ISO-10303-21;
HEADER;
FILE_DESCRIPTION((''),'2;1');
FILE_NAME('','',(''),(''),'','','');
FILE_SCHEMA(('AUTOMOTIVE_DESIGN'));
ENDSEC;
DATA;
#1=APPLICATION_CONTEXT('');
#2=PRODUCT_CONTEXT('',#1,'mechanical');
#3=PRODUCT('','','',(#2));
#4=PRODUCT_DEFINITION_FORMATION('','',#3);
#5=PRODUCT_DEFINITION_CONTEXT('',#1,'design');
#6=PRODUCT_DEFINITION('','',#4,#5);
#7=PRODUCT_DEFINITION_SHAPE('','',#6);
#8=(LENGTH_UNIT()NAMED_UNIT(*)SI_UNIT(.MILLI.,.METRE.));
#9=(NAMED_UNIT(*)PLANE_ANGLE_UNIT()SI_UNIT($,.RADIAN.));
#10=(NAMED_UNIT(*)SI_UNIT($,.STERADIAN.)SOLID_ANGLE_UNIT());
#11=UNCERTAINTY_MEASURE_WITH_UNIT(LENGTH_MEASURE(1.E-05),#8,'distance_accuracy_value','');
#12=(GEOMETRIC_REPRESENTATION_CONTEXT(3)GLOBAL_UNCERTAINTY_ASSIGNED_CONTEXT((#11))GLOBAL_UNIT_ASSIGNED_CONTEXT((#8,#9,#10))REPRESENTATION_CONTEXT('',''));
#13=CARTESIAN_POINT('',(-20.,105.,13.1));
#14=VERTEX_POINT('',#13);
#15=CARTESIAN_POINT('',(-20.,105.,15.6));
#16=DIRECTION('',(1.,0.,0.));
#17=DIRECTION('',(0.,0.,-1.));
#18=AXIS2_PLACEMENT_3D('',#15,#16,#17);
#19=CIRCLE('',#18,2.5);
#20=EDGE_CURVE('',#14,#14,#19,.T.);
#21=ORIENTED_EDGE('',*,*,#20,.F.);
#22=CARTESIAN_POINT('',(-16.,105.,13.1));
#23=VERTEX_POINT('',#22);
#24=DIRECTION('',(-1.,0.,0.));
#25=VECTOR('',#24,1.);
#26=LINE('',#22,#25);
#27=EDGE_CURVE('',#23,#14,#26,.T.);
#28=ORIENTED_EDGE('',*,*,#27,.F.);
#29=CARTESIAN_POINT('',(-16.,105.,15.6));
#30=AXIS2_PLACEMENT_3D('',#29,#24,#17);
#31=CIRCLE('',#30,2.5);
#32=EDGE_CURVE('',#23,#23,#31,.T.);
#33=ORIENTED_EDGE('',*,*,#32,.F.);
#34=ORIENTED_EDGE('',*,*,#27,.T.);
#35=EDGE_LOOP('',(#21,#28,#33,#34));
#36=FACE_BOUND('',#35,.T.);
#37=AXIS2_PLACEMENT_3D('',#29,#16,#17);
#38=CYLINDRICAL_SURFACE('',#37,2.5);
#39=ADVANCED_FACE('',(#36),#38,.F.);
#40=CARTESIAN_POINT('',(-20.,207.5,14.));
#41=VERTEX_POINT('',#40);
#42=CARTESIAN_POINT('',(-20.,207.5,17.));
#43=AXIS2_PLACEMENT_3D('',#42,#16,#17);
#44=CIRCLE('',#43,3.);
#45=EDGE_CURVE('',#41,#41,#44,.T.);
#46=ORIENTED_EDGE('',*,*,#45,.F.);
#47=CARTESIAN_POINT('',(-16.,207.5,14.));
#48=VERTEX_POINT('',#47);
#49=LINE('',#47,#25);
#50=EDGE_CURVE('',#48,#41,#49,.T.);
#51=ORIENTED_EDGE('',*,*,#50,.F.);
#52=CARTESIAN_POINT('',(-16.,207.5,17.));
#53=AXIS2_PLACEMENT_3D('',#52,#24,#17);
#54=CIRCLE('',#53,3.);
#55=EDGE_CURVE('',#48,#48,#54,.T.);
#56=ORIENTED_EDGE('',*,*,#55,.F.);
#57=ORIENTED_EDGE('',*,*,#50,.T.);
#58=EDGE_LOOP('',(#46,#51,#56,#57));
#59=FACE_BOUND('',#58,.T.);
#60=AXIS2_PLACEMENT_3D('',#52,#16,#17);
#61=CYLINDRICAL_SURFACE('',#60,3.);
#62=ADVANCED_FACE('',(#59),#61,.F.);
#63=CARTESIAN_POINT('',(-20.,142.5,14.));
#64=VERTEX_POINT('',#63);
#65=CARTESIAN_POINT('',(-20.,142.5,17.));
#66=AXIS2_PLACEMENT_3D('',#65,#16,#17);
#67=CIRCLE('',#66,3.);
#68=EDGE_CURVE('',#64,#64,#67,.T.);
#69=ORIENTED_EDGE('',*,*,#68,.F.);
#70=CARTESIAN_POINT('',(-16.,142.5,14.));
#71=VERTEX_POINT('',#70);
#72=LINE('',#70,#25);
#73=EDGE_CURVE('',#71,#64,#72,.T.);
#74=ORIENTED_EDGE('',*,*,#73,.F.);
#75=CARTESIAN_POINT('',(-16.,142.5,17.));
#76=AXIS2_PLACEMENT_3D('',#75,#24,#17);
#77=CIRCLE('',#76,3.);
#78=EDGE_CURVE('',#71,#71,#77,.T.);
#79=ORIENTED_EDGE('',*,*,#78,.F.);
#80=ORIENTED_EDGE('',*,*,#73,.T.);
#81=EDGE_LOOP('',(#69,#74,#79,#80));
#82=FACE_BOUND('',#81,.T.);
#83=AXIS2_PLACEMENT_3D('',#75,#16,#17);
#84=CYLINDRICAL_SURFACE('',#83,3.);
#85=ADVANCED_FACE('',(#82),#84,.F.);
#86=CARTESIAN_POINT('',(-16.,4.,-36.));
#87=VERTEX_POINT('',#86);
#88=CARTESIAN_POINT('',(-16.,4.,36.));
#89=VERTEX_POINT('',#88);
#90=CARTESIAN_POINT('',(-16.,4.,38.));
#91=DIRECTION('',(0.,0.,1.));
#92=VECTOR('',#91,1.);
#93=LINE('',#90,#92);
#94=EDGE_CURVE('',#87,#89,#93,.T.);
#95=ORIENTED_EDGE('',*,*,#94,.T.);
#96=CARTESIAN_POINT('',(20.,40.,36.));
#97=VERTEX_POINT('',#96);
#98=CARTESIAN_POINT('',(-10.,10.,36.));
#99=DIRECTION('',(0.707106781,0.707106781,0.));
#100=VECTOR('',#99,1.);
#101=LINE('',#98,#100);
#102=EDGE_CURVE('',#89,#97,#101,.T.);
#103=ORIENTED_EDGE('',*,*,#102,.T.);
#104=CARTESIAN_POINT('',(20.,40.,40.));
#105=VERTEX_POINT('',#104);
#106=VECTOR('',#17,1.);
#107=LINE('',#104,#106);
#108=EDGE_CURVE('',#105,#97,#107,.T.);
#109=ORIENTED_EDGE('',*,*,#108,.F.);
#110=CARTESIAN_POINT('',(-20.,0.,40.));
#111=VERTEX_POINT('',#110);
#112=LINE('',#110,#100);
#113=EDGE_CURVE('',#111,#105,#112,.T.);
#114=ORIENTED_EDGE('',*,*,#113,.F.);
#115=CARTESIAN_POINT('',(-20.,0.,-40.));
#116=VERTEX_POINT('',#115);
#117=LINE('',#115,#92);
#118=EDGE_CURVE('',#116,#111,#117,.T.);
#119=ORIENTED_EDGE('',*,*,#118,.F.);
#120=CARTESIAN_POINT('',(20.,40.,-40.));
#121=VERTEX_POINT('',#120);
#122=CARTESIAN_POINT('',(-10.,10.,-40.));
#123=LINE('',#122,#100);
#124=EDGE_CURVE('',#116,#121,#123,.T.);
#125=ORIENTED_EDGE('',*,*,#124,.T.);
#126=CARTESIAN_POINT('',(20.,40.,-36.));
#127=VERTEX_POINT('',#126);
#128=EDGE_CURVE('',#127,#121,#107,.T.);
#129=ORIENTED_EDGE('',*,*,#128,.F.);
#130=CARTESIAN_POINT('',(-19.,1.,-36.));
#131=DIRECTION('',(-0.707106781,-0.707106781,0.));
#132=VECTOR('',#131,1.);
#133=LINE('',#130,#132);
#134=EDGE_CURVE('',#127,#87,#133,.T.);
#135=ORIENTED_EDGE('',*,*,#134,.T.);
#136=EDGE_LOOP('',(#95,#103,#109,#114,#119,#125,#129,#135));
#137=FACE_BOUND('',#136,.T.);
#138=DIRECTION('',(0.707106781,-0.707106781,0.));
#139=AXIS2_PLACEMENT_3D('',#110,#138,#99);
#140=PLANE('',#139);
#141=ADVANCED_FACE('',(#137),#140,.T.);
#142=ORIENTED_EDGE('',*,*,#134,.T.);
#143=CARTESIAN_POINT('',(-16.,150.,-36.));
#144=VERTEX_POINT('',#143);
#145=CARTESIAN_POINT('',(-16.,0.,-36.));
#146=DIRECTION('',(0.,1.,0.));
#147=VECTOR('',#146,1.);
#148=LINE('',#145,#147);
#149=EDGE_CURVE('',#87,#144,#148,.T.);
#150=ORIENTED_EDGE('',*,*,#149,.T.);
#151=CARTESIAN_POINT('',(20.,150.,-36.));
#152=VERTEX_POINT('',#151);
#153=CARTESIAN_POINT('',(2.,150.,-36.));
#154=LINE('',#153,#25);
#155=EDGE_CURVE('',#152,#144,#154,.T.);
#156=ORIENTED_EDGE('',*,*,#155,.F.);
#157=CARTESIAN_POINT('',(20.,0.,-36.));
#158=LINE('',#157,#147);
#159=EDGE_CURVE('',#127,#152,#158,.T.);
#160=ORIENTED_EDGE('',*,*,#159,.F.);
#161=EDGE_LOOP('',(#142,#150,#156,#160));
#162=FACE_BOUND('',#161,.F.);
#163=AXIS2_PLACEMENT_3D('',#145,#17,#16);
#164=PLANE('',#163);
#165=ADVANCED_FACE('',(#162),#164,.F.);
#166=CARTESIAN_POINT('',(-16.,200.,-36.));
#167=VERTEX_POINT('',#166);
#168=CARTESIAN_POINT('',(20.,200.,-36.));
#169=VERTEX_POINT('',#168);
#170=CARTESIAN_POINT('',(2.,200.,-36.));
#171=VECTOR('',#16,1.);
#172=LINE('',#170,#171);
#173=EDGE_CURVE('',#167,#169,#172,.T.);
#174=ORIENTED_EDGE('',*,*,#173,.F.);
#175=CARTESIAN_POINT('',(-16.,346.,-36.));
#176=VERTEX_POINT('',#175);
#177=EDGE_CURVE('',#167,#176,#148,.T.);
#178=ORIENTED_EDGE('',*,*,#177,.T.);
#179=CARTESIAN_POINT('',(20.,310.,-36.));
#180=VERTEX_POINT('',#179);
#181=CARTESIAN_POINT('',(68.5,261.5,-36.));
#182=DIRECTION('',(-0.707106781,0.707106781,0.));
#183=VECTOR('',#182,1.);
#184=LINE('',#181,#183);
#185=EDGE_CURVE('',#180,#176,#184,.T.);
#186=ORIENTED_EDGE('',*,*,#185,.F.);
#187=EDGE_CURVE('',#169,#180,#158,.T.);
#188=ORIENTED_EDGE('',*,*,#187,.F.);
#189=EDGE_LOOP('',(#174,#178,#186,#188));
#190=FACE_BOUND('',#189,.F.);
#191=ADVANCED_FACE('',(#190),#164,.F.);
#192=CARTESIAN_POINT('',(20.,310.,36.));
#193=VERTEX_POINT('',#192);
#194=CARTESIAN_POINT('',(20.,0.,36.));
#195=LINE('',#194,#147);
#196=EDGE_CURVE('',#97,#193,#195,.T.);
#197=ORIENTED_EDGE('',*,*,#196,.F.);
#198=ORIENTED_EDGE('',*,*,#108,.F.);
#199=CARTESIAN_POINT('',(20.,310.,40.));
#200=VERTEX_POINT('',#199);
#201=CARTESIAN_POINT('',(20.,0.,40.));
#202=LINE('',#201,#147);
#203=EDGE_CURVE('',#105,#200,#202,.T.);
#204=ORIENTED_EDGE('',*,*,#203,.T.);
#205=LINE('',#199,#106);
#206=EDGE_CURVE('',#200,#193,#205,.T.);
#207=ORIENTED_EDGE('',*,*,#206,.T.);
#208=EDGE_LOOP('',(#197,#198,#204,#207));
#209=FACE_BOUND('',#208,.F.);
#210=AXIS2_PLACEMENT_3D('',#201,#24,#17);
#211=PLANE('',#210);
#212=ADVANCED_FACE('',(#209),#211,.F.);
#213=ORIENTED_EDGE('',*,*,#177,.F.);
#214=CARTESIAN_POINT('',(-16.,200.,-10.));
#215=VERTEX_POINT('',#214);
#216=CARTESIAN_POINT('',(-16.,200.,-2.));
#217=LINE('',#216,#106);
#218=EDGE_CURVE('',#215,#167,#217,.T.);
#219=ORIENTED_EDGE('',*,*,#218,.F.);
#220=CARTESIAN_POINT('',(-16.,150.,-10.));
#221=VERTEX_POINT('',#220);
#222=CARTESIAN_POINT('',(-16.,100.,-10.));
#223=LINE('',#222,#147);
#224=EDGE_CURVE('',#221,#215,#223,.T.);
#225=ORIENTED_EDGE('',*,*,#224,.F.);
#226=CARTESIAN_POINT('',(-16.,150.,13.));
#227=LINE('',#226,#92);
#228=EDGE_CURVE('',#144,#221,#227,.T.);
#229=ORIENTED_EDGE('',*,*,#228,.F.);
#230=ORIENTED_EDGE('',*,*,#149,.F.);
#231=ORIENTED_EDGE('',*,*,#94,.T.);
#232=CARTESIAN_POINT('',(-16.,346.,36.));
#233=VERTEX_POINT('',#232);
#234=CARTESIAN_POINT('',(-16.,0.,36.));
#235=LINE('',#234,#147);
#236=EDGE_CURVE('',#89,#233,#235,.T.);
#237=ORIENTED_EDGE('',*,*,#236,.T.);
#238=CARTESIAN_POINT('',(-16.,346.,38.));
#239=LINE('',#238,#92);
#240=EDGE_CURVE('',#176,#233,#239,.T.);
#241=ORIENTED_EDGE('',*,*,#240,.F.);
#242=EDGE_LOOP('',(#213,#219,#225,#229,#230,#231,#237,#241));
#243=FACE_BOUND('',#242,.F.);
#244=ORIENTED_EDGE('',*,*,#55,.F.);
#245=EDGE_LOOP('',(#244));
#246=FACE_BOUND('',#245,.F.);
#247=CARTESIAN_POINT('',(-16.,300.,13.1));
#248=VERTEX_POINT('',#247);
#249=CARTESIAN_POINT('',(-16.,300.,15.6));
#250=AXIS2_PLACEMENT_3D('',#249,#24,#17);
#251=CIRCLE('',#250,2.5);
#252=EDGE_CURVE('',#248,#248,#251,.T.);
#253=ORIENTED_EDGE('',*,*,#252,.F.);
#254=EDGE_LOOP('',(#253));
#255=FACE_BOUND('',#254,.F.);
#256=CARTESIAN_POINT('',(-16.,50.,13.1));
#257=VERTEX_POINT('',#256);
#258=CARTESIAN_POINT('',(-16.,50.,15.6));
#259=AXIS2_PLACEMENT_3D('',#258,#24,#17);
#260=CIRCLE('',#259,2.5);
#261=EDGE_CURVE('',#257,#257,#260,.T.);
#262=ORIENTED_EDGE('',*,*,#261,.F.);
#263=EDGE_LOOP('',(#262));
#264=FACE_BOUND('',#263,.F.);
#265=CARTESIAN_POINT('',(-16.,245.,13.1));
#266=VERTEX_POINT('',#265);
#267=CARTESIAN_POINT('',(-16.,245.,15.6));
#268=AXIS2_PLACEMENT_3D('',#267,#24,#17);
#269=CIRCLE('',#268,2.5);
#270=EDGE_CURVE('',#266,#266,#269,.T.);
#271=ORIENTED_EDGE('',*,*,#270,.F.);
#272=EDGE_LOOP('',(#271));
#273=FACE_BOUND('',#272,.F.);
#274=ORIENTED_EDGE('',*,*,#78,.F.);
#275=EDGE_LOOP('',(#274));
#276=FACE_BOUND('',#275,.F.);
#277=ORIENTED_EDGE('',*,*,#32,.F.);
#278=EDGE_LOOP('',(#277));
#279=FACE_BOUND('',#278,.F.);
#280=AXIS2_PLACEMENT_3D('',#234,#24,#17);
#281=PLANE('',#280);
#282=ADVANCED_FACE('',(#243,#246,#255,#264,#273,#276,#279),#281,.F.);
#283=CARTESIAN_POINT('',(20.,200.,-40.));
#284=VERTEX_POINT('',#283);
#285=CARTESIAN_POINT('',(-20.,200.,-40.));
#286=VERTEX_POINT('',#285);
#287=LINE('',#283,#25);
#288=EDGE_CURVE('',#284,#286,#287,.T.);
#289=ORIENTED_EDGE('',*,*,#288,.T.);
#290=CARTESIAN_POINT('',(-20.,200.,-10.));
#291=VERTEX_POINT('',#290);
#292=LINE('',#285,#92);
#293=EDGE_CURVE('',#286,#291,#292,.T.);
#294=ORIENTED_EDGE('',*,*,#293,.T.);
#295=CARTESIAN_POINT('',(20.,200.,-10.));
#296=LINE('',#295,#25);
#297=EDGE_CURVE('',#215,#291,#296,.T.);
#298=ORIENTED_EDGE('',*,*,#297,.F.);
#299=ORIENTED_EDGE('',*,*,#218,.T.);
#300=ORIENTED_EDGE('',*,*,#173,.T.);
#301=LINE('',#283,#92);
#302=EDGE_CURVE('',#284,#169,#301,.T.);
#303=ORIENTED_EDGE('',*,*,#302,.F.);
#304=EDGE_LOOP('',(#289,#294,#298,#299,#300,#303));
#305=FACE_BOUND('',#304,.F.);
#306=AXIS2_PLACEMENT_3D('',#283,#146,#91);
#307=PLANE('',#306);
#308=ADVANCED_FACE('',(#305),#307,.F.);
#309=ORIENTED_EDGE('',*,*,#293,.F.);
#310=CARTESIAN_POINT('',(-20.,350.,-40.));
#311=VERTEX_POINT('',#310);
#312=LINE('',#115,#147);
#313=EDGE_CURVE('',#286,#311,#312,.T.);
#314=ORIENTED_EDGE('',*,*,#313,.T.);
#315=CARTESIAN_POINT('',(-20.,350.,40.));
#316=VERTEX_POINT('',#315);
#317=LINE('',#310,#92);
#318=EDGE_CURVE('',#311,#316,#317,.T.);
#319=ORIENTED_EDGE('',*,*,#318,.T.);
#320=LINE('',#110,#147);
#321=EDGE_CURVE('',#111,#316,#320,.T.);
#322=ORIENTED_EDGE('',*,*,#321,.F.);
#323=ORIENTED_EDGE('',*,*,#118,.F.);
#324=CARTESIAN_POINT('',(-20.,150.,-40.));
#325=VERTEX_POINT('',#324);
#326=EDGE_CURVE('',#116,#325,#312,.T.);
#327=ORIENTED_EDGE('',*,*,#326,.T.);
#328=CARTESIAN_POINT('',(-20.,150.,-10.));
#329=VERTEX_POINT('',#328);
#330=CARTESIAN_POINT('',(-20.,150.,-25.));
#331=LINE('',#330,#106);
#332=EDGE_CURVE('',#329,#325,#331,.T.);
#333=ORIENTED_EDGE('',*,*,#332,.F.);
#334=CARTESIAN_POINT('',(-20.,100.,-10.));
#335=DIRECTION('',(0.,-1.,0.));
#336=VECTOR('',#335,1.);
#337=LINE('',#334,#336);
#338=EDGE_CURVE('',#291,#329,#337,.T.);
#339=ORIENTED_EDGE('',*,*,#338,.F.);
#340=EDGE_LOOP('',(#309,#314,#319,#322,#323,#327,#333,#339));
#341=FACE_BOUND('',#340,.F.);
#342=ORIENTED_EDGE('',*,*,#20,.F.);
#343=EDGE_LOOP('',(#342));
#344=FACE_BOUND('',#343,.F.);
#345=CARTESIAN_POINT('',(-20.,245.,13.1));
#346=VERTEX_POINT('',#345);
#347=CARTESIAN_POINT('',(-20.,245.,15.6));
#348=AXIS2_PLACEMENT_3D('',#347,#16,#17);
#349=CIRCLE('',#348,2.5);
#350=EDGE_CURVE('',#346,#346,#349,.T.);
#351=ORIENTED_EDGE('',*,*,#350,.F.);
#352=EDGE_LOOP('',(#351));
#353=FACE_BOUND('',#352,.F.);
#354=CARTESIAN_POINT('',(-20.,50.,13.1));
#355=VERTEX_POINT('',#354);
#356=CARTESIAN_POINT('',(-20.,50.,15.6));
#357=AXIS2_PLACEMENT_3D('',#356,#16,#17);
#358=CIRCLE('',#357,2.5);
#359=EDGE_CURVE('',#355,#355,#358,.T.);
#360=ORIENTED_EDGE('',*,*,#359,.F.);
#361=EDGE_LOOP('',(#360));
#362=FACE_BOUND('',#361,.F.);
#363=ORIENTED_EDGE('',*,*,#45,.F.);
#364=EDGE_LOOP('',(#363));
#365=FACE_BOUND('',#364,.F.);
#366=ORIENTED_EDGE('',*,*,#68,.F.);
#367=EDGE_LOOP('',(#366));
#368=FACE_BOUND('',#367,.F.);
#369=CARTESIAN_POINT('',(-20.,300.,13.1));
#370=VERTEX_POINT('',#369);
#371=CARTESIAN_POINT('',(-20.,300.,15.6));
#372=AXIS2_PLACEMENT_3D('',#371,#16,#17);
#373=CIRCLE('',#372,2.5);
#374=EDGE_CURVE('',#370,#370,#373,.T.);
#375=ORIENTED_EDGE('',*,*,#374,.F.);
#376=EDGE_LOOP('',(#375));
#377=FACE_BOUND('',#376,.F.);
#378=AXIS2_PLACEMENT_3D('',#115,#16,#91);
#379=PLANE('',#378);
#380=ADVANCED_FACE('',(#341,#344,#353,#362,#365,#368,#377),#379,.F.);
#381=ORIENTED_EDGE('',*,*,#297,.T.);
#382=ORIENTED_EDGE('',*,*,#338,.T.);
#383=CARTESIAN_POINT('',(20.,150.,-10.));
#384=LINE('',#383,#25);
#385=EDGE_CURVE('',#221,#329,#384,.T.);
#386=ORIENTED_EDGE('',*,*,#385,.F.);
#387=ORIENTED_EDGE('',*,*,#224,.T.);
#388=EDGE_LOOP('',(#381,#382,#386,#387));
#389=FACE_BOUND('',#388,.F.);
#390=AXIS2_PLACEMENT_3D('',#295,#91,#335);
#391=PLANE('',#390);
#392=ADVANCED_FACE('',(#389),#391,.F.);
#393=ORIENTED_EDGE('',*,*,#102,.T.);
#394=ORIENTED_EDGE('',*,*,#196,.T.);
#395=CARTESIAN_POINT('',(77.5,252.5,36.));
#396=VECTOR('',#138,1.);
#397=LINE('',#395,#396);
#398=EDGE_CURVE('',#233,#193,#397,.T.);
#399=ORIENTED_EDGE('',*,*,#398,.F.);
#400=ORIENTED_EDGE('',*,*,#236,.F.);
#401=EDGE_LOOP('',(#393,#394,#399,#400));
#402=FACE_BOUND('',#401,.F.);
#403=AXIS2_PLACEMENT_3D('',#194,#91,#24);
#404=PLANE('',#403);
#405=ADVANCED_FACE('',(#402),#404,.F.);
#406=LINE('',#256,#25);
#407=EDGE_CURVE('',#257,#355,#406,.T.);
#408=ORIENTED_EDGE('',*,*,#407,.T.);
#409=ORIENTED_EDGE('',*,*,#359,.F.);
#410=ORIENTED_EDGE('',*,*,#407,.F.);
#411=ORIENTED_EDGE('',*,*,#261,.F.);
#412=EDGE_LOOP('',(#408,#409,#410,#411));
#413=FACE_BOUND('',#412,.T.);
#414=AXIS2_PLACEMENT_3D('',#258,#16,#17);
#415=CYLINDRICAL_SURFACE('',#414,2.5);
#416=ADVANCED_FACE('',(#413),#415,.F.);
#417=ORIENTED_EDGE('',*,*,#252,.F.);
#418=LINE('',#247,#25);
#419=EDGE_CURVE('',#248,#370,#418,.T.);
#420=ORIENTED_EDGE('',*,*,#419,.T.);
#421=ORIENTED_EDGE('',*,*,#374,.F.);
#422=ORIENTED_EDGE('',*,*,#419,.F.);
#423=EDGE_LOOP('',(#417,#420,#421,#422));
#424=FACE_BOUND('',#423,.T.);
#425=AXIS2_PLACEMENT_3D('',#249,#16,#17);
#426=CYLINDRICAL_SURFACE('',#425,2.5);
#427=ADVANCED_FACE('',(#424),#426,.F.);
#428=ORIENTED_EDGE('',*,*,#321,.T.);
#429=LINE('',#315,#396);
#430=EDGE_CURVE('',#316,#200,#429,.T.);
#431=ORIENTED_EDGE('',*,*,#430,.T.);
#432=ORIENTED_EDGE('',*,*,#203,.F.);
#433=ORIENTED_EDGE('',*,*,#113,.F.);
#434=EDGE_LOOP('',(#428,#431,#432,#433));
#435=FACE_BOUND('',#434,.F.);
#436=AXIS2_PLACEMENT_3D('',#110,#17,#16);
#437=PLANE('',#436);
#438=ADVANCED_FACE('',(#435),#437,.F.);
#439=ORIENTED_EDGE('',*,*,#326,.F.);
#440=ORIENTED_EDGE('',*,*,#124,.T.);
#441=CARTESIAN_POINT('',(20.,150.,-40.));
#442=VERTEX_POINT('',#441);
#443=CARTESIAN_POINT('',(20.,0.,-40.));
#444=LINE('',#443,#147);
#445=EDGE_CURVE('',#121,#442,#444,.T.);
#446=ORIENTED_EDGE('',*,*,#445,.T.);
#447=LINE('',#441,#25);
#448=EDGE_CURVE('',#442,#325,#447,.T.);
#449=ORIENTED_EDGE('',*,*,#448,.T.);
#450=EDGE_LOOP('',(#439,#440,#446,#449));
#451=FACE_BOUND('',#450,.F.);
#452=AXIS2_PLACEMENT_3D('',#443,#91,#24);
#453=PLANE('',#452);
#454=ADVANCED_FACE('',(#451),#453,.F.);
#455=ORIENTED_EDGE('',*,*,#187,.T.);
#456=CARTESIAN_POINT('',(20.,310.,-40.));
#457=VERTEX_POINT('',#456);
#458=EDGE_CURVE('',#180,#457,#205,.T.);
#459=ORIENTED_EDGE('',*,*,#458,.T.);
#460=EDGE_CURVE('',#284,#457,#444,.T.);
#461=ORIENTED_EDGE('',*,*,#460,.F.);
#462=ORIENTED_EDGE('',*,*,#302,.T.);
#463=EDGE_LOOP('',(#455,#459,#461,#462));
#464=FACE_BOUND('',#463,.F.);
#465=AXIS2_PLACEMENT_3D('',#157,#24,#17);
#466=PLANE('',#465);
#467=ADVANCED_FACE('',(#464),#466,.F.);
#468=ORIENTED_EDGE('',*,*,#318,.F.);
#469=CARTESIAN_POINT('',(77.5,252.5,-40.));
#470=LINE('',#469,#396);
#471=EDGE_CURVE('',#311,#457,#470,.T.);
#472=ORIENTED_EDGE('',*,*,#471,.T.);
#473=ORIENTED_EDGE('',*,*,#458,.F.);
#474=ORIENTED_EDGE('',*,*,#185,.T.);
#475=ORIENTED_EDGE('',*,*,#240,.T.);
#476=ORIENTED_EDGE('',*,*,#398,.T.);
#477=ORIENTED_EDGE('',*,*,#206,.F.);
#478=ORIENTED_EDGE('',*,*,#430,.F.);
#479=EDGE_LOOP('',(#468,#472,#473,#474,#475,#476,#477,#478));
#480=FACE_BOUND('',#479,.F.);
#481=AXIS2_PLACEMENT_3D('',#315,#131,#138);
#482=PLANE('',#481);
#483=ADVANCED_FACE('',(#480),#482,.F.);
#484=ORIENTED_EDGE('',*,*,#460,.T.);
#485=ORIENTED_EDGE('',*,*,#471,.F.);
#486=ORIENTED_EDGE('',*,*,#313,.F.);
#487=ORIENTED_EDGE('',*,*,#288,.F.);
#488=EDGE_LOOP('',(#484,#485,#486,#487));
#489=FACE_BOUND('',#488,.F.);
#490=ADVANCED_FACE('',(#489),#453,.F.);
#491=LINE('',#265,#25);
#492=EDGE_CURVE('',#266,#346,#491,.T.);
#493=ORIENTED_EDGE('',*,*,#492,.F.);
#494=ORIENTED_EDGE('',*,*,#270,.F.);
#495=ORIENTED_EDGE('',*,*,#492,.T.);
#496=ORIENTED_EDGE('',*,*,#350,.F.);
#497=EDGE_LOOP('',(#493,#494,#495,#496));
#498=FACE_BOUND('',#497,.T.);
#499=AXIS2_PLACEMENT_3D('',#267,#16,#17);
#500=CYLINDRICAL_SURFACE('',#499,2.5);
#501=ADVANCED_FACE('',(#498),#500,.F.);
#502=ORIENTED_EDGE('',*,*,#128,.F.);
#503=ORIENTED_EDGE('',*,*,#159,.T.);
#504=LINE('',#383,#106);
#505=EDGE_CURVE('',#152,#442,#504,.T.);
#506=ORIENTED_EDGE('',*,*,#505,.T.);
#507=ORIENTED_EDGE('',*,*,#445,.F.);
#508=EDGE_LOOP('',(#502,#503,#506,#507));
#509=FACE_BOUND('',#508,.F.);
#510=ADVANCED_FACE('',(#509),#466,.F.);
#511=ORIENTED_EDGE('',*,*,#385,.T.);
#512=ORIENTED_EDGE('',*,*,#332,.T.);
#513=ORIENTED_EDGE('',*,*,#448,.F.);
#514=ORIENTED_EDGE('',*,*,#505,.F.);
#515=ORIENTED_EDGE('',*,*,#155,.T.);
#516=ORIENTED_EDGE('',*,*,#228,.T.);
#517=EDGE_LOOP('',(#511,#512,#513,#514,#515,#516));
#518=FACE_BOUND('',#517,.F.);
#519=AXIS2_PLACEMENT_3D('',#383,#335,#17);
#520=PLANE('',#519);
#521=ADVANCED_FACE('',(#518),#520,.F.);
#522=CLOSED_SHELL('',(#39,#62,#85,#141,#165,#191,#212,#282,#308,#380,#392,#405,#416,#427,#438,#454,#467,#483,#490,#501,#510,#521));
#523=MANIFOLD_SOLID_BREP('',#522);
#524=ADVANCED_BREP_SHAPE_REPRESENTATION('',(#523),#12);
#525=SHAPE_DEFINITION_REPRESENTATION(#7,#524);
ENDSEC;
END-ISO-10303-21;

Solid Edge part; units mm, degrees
sketch "Sketch1" plane through (0, 0, 0) normal (0, -1, 0) x (1, 0, 0)
  line L0 (20, 36) -> (-16, 36)
  line L1 (-16, 36) -> (-16, -36)
  line L2 (-16, -36) -> (20, -36)
  line L3 (20, -36) -> (20, -40)
  line L4 (20, -40) -> (-20, -40)
  line L5 (-20, -40) -> (-20, 40)
  line L6 (-20, 40) -> (20, 40)
  line L7 (20, 40) -> (20, 36)
  dimension "D1" = 80
  dimension "D2" = 40
  dimension "D3" = 4
  dimension "D4" = 4
extrude "Protrusion1" add sketch "Sketch1" against normal blind 350
sketch "Sketch2" plane through (0, 175, 40) normal (0, 0, 1) x (0, 1, 0)
  line L0 (-175, 20) -> (-135, -20)
extrude "Cutout1" cut sketch "Sketch2" against normal through all material side at (0.0354, 19.9646, 40)
sketch "Sketch3" plane through (0, 175, 40) normal (0, 0, 1) x (0, 1, 0)
  line L0 (175, 20) -> (135, -20)
extrude "Cutout2" cut sketch "Sketch3" against normal through all material side at (0.0354, 330.0354, 40)
hole "Bohrung_1" at (-16, 142.5, 17) direction (-1, 0, 0) diameter 6 end up to next
hole "Hole1" at (-16, 207.5, 17) direction (-1, 0, 0) diameter 6 end up to next
hole "Bohrung_3" at (-16, 50, 15.6) direction (-1, 0, 0) diameter 5 end up to next
hole "Hole2" at (-16, 105, 15.6) direction (-1, 0, 0) diameter 5 end up to next
hole "Hole3" at (-16, 245, 15.6) direction (-1, 0, 0) diameter 5 end up to next
hole "Hole4" at (-16, 300, 15.6) direction (-1, 0, 0) diameter 5 end up to next
sketch "Sketch4" plane through (20, 175, -38) normal (1, 0, 0) x (0, 1, 0)
  line L0 (-25, -2) -> (25, -2)
  line L1 (25, -2) -> (25, 28)
  line L2 (25, 28) -> (-25, 28)
  line L3 (-25, 28) -> (-25, -2)
  dimension "D1" = 50
  dimension "D2" = 30
extrude "Cutout3" cut sketch "Sketch4" against normal through all
properties material "AlMgSi 0,5-1"
